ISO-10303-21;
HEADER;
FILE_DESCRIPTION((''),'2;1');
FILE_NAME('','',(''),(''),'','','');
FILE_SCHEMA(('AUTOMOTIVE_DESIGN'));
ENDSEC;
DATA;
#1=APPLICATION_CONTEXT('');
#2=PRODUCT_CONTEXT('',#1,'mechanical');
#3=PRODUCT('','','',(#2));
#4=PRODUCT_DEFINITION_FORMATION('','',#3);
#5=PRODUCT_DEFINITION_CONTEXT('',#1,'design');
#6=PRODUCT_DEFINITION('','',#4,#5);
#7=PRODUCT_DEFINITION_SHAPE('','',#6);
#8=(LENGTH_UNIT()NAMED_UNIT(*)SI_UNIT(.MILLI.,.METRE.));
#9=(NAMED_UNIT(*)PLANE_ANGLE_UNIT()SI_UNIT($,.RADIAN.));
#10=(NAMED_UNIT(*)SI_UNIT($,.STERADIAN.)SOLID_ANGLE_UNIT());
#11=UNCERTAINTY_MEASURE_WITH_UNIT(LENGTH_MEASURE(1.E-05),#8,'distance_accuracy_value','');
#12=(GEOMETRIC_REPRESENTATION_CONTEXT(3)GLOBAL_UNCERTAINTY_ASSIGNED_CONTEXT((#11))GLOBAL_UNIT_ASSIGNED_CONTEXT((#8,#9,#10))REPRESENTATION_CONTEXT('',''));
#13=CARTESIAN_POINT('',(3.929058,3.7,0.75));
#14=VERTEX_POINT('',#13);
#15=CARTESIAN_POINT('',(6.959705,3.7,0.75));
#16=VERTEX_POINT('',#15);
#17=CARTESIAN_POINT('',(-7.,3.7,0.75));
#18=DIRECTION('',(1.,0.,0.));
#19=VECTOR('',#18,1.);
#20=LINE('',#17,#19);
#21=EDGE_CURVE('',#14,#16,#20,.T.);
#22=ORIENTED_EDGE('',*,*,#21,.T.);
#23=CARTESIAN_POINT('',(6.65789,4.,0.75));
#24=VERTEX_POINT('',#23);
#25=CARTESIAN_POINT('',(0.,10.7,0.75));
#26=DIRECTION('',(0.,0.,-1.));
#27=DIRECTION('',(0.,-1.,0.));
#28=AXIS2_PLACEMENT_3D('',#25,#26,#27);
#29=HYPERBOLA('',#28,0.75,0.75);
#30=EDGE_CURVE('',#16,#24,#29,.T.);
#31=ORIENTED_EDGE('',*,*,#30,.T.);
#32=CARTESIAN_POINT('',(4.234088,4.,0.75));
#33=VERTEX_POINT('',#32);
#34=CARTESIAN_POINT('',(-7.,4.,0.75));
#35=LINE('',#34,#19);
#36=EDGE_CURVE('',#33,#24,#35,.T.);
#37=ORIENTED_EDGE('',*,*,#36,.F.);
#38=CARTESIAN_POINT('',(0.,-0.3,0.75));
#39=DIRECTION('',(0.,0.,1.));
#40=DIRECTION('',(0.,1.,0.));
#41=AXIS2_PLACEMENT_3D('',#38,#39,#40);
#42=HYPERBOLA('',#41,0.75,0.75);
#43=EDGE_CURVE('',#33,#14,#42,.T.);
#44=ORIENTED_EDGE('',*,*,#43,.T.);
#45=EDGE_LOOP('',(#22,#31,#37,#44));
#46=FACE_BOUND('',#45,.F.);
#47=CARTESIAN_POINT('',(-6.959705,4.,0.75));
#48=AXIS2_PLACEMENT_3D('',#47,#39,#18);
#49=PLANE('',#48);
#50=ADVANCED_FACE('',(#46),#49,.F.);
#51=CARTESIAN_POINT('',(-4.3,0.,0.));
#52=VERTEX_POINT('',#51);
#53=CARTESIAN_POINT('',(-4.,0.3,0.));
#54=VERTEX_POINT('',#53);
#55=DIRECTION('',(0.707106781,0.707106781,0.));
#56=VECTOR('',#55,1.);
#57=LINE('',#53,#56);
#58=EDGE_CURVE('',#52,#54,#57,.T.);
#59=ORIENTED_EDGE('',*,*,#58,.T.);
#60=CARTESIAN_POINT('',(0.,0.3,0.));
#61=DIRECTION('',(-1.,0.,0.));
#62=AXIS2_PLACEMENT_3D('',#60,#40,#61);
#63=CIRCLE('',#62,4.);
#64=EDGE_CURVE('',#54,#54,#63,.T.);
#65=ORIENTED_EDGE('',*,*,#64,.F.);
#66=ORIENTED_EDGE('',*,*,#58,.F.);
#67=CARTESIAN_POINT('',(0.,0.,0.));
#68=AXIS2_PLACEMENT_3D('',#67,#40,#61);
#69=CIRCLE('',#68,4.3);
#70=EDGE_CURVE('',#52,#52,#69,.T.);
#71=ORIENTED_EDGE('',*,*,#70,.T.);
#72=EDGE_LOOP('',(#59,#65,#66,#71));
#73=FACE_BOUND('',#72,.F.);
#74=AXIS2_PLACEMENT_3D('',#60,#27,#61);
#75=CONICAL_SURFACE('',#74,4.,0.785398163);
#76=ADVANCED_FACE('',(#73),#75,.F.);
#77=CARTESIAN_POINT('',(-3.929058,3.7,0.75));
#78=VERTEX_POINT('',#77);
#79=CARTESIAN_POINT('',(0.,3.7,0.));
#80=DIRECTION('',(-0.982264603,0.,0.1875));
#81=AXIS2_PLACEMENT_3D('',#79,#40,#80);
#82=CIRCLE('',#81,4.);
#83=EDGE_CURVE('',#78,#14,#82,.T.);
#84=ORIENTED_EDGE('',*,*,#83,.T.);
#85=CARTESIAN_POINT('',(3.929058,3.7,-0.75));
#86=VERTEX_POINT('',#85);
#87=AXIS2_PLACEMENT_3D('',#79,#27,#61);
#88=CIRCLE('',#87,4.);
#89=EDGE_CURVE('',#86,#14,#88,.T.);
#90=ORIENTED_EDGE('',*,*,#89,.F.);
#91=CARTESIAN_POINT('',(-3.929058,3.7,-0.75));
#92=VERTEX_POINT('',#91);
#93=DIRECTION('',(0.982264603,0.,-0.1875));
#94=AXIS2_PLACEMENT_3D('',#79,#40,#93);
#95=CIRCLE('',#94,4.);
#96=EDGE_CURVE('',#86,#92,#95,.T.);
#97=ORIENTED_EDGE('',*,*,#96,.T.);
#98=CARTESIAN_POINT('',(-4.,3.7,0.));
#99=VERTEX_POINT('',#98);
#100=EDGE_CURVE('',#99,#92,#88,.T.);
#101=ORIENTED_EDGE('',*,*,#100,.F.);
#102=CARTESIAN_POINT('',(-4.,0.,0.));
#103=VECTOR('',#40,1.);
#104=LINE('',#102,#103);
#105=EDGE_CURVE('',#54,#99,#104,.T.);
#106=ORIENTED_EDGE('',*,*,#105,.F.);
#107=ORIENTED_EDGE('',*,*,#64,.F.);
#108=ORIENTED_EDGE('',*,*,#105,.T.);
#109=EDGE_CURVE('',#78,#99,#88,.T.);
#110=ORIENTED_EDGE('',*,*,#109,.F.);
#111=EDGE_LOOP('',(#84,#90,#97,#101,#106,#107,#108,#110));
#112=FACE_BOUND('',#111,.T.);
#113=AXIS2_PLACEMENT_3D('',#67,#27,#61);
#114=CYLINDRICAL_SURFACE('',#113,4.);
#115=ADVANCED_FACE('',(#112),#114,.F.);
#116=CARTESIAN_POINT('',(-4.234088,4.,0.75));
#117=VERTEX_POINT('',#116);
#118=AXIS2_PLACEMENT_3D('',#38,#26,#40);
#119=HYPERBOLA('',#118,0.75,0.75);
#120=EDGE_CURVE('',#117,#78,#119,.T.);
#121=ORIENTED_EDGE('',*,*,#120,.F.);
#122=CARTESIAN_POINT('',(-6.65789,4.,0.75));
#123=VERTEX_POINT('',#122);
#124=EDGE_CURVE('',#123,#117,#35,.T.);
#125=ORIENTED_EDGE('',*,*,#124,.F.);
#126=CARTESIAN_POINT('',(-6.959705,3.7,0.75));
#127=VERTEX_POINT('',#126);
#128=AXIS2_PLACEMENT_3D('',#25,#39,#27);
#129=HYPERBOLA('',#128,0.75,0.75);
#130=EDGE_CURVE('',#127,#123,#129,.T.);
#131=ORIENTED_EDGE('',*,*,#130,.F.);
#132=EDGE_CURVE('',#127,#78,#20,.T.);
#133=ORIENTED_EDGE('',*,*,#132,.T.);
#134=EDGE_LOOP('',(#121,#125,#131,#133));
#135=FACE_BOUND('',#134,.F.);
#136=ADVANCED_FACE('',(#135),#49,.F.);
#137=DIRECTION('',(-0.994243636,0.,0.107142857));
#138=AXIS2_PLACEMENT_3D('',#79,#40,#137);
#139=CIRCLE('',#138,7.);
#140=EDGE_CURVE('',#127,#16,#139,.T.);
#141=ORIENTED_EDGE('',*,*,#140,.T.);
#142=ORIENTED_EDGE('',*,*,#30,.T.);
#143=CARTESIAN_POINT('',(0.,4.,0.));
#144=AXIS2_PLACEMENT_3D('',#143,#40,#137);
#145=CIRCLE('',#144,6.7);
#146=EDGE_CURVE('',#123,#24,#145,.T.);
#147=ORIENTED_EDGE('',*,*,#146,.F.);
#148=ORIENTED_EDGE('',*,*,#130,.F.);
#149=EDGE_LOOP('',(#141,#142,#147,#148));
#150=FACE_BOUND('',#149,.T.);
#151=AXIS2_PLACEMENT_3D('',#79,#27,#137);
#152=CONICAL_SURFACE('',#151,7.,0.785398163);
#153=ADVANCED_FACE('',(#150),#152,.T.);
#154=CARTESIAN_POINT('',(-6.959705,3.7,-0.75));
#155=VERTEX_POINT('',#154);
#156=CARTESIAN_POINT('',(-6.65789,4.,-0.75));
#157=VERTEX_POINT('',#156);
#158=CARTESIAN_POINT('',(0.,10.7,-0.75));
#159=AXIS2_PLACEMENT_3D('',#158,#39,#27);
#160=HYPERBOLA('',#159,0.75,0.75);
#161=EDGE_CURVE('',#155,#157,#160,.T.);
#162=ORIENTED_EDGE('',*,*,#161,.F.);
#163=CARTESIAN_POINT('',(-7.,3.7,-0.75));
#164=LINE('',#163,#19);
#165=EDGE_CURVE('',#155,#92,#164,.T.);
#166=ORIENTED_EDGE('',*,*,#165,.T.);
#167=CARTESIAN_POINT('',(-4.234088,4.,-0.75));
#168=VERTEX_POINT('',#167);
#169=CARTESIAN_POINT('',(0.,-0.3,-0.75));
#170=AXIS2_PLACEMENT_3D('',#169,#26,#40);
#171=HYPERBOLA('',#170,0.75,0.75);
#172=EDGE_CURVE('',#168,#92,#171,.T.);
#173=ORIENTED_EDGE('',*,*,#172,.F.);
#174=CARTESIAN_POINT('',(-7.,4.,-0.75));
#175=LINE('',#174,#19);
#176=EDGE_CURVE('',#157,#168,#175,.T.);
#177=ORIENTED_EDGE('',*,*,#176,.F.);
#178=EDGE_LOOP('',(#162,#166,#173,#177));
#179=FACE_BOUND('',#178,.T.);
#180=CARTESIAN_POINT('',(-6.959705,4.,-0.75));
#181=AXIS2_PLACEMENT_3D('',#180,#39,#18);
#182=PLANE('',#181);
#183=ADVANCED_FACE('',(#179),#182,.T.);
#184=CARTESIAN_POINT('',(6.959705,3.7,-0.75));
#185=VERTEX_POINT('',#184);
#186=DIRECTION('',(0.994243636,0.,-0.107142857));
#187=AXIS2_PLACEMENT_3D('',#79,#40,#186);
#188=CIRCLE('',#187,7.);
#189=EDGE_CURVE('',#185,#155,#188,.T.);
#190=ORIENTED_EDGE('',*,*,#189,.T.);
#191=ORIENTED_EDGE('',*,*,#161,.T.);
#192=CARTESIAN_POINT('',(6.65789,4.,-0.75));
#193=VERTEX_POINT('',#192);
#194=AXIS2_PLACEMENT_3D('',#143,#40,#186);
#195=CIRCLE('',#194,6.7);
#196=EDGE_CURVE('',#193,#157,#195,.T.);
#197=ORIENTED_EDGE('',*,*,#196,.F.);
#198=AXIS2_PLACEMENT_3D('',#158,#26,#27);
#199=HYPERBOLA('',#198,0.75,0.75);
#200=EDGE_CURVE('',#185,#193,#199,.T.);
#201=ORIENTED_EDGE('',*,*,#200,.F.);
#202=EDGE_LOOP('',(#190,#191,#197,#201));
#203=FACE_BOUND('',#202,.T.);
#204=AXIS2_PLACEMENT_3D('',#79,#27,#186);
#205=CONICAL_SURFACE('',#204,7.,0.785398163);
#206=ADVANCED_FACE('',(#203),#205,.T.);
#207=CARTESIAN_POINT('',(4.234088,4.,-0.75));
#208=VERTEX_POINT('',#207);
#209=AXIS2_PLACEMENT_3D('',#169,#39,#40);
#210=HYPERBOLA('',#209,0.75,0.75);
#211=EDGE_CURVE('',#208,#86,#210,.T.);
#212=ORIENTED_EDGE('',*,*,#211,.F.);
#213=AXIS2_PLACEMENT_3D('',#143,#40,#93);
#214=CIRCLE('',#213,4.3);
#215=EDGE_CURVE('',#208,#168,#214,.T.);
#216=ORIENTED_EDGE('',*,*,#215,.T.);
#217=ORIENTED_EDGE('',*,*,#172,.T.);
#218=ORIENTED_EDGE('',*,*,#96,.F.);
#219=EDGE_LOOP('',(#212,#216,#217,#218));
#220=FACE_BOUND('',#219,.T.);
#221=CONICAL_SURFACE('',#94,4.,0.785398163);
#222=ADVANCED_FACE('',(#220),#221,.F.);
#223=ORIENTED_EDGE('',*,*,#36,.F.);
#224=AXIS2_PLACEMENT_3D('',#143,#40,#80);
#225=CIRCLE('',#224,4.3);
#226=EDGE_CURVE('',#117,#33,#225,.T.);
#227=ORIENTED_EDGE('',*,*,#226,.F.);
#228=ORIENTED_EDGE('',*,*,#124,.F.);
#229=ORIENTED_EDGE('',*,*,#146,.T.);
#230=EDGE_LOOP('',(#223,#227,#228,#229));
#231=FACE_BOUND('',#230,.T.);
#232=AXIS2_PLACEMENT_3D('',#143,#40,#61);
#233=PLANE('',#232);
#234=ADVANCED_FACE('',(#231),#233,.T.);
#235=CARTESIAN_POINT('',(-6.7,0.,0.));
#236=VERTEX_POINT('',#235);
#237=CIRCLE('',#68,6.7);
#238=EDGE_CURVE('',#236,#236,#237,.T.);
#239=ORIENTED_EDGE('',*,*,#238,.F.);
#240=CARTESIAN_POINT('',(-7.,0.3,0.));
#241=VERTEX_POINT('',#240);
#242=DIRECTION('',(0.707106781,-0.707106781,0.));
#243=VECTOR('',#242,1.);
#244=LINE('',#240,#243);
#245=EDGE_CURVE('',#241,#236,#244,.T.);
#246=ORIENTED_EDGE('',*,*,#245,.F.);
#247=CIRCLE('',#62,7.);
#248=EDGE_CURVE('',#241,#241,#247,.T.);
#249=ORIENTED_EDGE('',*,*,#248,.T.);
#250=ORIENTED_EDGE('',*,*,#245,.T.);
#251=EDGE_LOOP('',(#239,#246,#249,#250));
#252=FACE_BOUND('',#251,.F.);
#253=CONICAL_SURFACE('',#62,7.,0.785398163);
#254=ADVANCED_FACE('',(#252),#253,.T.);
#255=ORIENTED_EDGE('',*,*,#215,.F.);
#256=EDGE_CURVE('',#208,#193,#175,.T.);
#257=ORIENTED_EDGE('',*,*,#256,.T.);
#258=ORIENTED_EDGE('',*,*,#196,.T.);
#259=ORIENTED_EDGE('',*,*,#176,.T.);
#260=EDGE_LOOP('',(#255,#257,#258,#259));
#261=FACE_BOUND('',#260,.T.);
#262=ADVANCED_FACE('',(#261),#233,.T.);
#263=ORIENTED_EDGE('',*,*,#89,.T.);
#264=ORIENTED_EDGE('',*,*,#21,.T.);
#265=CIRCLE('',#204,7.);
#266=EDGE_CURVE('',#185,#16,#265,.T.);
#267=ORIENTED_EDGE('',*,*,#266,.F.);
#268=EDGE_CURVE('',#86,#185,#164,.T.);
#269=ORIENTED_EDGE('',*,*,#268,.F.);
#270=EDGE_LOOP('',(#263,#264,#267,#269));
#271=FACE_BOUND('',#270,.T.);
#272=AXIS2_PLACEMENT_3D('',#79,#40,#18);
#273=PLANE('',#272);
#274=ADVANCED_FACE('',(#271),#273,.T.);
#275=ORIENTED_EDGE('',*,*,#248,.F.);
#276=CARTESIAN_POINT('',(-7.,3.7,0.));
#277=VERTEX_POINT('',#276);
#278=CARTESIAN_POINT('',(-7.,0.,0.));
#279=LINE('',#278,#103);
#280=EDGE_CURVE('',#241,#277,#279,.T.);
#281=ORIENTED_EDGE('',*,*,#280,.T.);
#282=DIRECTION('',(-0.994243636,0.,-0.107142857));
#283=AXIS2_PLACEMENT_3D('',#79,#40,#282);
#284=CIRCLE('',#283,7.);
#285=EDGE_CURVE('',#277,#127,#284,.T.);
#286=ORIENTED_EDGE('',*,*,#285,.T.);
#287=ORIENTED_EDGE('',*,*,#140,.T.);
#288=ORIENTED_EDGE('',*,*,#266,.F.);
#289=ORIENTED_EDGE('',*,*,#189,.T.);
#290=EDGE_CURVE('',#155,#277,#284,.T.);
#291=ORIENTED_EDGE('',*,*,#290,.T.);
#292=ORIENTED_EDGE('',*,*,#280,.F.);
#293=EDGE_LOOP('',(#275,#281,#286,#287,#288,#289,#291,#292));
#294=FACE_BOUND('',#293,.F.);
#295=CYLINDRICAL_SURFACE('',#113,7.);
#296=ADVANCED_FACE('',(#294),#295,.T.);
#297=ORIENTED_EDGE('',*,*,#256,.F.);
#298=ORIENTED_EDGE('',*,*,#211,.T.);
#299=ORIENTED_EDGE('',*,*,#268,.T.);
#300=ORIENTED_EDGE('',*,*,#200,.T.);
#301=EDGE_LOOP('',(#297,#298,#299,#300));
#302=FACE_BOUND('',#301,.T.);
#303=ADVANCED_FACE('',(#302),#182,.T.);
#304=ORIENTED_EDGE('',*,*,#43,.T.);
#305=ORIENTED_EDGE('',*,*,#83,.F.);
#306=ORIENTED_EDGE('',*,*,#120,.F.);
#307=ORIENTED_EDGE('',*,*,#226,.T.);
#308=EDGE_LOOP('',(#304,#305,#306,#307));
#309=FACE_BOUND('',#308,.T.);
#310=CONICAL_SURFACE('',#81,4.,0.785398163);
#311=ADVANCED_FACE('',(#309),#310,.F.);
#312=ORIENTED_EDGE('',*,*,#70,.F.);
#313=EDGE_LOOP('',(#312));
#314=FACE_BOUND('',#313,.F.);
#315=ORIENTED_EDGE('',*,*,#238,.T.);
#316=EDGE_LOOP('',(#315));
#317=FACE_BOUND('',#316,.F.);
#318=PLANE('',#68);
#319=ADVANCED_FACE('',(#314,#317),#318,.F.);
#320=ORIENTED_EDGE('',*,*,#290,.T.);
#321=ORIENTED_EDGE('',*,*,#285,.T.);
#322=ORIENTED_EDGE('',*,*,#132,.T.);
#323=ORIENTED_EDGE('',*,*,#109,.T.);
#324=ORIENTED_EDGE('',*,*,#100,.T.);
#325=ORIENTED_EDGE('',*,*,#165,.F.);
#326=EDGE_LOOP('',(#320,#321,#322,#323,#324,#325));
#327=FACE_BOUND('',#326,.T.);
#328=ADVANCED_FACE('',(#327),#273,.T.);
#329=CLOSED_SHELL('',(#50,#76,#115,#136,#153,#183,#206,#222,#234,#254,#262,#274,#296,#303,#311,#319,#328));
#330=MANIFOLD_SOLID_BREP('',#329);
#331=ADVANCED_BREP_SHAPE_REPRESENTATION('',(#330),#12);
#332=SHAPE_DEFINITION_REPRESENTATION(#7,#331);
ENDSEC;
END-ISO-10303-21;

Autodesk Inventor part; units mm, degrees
ref_plane "YZ Plane" through (0, 0, 0) normal (1, 0, 0) x (0, 1, 0)
ref_plane "XZ Plane" through (0, 0, 0) normal (0, 1, 0) x (-1, 0, 0)
ref_plane "XY Plane" through (0, 0, 0) normal (0, 0, 1) x (1, 0, 0)
sketch "スケッチ1" plane through (0, 0, 0) normal (0, 1, 0) x (-1, 0, 0)
  circle A0 centre (0, 0) radius 7
  circle A1 centre (0, 0) radius 4
  dimension "d0" = 14
  dimension "d1" = 8
extrude "押し出し1" add sketch "スケッチ1" along normal blind 4
sketch "スケッチ2" plane through (0, 4, 0) normal (0, 1, 0) x (1, 0, 0)
  circle A0 centre (0, 0) radius 7 projected
  line L0 (-7, 0) -> (7, 0)
  line L1 (-7, 0.75) -> (7, 0.75)
  line L2 (-7, 0.75) -> (-7, 0)
  line L3 (7, 0.75) -> (7, 0)
  line L4 (-7, -0.75) -> (7, -0.75)
  line L5 (-7, -0.75) -> (-7, 0)
  line L6 (7, -0.75) -> (7, 0)
  point P0 (6.9597, 0.75)
  point P1 (-6.9597, 0.75)
  point P2 (-6.9597, -0.75)
  point P3 (6.9597, -0.75)
  dimension "d4" = 0.75
extrude "押し出し2" cut sketch "スケッチ2" against normal blind 0.3 contours L0 A0 L1 | A0 L4 L0
chamfer "面取り1" distance 0.3 angle 45 6 edges at (0, 4, 4) (0, 4, -4) (0, 4, -7) (0, 4, 7) (7, 0, 0) (4, 0, 0)
properties part number "GSB-081404"
